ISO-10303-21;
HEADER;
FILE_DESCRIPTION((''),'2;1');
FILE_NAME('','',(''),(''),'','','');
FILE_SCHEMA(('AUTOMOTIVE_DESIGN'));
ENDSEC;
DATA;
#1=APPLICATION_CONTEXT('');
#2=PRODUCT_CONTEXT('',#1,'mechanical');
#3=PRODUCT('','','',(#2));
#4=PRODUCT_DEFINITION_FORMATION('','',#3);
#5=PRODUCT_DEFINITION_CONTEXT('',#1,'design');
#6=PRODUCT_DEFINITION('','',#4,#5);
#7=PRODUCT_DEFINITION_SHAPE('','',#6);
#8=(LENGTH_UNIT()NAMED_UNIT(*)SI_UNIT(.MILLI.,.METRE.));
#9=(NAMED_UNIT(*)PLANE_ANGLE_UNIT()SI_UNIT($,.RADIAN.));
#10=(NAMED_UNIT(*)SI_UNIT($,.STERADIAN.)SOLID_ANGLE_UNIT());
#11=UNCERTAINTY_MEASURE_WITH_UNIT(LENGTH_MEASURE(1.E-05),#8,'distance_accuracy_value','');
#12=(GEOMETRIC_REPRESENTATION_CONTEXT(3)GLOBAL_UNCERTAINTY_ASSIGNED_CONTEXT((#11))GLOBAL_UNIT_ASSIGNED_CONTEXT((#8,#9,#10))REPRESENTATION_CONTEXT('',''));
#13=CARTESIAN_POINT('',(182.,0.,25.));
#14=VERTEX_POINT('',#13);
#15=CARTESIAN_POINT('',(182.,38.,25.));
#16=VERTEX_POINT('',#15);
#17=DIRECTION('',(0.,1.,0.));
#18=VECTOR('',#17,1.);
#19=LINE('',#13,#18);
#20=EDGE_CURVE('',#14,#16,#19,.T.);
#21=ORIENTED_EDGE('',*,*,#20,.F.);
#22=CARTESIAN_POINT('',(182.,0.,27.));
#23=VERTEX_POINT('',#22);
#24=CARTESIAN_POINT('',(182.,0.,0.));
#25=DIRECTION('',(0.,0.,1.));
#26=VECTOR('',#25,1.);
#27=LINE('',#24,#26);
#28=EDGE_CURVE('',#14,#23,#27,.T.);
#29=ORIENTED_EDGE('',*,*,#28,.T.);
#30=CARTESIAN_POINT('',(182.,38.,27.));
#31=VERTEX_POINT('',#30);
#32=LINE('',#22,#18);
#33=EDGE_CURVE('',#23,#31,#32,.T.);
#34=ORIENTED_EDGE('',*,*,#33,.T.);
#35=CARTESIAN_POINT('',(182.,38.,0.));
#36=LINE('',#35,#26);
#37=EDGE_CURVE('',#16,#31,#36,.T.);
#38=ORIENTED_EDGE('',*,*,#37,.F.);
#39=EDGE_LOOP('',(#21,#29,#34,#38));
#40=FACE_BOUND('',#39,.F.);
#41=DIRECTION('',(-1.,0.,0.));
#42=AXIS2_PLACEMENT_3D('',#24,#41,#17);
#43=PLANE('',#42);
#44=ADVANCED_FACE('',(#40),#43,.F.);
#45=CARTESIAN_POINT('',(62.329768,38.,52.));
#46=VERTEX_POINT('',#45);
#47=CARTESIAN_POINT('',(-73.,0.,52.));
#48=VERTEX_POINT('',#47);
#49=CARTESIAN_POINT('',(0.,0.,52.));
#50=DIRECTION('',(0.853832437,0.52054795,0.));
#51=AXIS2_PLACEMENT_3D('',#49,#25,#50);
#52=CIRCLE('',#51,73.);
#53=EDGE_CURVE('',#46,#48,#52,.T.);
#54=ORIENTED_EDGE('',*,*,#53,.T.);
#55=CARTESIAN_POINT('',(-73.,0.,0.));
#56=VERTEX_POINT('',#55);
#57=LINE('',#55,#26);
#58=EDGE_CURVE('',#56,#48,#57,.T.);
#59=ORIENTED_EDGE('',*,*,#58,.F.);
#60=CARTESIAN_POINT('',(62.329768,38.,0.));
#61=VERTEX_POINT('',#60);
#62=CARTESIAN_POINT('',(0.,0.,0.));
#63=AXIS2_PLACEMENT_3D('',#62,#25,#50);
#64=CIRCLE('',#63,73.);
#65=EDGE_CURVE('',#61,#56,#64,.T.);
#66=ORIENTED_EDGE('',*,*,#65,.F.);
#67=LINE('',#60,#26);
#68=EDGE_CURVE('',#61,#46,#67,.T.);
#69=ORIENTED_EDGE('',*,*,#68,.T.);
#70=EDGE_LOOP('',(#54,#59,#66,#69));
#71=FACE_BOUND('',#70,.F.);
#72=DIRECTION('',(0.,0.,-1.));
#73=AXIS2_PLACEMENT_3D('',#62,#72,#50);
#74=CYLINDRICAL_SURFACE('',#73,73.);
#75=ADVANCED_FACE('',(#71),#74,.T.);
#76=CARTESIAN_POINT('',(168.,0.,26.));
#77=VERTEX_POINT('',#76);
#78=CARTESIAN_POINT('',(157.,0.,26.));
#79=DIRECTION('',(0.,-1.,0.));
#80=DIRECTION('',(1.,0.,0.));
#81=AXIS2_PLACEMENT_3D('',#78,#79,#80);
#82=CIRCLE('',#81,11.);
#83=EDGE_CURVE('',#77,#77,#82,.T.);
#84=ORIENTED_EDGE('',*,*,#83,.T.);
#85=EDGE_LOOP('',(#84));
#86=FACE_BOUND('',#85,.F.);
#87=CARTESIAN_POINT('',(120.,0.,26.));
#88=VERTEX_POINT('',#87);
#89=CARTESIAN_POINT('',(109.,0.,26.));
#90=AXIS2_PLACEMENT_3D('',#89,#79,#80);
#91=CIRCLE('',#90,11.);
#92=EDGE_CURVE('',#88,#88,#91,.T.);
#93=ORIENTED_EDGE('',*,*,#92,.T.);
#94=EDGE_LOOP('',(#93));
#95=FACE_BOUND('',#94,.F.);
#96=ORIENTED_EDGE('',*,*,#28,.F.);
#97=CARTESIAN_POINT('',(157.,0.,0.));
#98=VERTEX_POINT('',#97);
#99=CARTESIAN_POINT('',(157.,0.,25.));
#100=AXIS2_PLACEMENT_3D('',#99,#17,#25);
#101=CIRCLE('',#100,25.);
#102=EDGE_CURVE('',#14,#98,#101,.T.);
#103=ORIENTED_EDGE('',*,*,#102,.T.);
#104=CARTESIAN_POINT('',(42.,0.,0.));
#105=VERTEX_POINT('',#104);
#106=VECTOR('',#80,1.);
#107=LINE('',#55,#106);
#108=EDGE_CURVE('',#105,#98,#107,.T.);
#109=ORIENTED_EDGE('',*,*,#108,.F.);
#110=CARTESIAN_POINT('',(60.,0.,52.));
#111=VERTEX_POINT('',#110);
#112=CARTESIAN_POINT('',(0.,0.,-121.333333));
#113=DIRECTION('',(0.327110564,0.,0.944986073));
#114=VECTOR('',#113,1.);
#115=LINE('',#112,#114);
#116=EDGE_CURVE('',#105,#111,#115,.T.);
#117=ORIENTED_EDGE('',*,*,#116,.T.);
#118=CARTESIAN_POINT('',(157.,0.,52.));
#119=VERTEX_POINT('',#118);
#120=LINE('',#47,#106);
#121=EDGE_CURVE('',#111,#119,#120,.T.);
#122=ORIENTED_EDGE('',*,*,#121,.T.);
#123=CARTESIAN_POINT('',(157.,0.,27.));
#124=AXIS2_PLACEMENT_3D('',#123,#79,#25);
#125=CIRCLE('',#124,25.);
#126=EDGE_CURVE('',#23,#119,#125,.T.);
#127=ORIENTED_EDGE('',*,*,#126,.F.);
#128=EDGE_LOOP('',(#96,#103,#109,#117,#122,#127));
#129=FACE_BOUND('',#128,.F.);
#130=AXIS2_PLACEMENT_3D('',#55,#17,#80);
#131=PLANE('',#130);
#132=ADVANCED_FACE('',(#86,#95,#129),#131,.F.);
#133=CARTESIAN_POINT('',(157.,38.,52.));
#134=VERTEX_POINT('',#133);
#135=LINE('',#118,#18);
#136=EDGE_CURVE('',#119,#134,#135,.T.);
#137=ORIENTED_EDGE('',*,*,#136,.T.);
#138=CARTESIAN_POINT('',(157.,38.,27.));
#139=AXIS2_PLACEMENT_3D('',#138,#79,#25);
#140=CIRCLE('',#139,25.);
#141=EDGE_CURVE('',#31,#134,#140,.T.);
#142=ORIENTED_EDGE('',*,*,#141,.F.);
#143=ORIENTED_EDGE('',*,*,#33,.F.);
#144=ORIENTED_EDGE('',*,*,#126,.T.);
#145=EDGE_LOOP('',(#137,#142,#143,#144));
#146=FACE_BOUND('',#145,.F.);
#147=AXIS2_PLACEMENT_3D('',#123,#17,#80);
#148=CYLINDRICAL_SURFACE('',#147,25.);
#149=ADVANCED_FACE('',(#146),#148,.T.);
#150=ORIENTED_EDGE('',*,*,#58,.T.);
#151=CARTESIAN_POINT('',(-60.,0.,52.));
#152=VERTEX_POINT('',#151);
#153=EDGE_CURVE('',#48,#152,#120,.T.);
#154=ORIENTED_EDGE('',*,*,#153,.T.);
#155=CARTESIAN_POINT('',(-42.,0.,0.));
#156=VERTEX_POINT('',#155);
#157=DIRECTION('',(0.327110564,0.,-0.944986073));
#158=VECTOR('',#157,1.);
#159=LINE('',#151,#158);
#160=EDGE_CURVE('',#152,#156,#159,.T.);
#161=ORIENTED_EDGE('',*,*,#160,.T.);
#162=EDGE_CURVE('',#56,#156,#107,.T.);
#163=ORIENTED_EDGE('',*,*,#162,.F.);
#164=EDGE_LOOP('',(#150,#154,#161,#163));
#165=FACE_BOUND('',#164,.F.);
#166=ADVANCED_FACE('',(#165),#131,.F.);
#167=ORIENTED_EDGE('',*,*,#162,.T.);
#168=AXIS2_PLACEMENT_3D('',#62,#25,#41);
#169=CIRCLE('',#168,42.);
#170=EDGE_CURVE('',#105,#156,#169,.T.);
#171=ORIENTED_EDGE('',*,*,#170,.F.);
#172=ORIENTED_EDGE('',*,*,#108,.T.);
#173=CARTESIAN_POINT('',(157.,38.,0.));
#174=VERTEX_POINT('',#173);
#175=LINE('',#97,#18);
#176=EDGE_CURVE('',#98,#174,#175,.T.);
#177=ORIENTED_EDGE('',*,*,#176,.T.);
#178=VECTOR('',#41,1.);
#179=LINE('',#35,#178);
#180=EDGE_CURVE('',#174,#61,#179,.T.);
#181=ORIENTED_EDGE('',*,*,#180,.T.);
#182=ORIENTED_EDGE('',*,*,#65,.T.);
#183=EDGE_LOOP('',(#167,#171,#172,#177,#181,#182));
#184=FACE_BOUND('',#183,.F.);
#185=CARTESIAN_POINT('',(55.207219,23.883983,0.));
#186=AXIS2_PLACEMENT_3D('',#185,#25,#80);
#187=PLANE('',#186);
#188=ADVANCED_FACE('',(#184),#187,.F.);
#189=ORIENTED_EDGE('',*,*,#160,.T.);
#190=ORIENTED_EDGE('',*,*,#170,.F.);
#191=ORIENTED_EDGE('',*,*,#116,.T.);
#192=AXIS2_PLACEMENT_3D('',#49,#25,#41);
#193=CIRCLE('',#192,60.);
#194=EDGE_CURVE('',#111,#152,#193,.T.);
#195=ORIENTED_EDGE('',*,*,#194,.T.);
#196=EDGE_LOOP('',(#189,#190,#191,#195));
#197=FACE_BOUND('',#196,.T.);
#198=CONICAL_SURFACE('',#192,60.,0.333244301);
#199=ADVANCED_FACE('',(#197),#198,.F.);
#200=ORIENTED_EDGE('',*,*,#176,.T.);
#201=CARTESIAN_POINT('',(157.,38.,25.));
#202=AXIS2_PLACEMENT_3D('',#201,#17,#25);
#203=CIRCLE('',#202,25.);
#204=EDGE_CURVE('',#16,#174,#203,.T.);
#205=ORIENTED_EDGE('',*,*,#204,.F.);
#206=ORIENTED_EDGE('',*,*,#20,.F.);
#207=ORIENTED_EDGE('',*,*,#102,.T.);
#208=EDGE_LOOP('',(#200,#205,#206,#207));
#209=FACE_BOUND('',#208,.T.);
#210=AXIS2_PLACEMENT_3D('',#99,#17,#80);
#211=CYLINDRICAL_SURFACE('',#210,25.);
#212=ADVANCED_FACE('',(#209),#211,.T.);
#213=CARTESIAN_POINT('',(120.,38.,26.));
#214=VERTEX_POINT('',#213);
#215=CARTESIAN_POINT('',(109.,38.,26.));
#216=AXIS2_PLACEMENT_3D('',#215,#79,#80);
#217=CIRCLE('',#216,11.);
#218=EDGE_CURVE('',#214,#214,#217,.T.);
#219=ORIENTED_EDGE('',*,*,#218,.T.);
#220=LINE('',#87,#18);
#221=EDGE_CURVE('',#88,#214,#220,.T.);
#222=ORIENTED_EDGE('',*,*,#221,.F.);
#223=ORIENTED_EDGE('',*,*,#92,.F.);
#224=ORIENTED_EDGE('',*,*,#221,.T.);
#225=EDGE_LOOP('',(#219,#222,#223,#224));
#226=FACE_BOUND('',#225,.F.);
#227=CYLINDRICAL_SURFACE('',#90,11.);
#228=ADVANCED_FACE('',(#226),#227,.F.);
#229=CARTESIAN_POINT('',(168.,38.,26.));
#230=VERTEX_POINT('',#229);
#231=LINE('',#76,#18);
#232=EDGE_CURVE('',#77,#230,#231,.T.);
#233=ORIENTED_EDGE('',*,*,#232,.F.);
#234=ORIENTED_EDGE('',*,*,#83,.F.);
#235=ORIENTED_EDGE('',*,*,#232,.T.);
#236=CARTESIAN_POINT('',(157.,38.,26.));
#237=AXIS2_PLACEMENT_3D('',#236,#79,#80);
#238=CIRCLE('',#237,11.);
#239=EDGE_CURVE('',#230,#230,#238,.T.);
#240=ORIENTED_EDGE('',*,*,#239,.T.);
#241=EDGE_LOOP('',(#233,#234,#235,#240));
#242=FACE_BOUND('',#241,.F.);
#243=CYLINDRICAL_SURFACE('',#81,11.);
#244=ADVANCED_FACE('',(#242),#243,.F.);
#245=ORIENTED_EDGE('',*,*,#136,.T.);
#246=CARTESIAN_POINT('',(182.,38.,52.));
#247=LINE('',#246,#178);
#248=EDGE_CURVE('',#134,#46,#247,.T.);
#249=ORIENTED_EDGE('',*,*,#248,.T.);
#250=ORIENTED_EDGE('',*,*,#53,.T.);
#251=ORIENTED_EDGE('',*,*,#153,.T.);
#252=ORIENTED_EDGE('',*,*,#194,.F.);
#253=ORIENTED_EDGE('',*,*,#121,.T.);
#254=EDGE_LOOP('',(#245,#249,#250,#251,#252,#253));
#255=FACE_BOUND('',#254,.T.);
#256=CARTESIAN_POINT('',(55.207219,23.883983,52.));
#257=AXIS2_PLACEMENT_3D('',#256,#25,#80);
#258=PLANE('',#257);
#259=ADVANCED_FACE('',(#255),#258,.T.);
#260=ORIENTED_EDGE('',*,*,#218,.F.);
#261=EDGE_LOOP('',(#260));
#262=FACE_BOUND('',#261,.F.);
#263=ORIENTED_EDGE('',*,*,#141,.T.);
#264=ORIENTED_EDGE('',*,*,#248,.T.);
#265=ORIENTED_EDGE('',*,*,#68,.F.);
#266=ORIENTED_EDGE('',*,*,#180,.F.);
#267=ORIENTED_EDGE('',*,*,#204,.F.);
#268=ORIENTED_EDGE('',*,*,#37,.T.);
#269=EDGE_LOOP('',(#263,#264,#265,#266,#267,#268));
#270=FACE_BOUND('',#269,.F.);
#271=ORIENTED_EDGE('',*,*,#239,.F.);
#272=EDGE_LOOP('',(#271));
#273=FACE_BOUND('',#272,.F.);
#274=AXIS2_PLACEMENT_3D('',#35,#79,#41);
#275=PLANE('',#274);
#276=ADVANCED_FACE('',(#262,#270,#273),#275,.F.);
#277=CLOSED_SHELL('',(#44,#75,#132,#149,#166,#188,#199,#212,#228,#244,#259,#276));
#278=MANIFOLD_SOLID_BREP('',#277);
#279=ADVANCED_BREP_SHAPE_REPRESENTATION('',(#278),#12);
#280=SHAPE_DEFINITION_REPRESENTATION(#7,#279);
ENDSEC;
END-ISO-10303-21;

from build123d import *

# Parameters (mm, degrees)
F1_DEPTH = 52
F2_R     = 11
F3_DEPTH = 38
F6_R     = 25


with BuildPart() as f1:
    # F0 (on Top) → F1 (new body)
    with BuildSketch(Plane.XY):
        with BuildLine():
            Line((182, 38), (62.329768, 38))
            ThreePointArc((62.329768, 38), (-19.734829, 70.281836), (-73, 0))
            Line((-73, 0), (182, 0))
            Line((182, 0), (182, 38))
        make_face()
    extrude(amount=F1_DEPTH)

    # F2 (on face) → F3 (cut)
    with BuildSketch(Plane.XZ):
        with Locations((109, 26)):
            Circle(F2_R)
        with Locations((157, 26)):
            Circle(F2_R)
    extrude(amount=-F3_DEPTH, mode=Mode.SUBTRACT)

    # F4 (on face) → F5 (revolve, cut)
    with BuildSketch(Plane.XZ):
        Polygon((0, 0), (0, 52), (-60, 52), (-42, 0), align=None)
    revolve(axis=Axis((0, 0, 26), (0, 0, 1)), mode=Mode.SUBTRACT)

    # F6
    f6_edges = [f1.edges().sort_by_distance(p)[0] for p in [
        (182, 19, 52),
        (182, 19, 0),
    ]]
    fillet(f6_edges, radius=F6_R)


solid = f1.part
